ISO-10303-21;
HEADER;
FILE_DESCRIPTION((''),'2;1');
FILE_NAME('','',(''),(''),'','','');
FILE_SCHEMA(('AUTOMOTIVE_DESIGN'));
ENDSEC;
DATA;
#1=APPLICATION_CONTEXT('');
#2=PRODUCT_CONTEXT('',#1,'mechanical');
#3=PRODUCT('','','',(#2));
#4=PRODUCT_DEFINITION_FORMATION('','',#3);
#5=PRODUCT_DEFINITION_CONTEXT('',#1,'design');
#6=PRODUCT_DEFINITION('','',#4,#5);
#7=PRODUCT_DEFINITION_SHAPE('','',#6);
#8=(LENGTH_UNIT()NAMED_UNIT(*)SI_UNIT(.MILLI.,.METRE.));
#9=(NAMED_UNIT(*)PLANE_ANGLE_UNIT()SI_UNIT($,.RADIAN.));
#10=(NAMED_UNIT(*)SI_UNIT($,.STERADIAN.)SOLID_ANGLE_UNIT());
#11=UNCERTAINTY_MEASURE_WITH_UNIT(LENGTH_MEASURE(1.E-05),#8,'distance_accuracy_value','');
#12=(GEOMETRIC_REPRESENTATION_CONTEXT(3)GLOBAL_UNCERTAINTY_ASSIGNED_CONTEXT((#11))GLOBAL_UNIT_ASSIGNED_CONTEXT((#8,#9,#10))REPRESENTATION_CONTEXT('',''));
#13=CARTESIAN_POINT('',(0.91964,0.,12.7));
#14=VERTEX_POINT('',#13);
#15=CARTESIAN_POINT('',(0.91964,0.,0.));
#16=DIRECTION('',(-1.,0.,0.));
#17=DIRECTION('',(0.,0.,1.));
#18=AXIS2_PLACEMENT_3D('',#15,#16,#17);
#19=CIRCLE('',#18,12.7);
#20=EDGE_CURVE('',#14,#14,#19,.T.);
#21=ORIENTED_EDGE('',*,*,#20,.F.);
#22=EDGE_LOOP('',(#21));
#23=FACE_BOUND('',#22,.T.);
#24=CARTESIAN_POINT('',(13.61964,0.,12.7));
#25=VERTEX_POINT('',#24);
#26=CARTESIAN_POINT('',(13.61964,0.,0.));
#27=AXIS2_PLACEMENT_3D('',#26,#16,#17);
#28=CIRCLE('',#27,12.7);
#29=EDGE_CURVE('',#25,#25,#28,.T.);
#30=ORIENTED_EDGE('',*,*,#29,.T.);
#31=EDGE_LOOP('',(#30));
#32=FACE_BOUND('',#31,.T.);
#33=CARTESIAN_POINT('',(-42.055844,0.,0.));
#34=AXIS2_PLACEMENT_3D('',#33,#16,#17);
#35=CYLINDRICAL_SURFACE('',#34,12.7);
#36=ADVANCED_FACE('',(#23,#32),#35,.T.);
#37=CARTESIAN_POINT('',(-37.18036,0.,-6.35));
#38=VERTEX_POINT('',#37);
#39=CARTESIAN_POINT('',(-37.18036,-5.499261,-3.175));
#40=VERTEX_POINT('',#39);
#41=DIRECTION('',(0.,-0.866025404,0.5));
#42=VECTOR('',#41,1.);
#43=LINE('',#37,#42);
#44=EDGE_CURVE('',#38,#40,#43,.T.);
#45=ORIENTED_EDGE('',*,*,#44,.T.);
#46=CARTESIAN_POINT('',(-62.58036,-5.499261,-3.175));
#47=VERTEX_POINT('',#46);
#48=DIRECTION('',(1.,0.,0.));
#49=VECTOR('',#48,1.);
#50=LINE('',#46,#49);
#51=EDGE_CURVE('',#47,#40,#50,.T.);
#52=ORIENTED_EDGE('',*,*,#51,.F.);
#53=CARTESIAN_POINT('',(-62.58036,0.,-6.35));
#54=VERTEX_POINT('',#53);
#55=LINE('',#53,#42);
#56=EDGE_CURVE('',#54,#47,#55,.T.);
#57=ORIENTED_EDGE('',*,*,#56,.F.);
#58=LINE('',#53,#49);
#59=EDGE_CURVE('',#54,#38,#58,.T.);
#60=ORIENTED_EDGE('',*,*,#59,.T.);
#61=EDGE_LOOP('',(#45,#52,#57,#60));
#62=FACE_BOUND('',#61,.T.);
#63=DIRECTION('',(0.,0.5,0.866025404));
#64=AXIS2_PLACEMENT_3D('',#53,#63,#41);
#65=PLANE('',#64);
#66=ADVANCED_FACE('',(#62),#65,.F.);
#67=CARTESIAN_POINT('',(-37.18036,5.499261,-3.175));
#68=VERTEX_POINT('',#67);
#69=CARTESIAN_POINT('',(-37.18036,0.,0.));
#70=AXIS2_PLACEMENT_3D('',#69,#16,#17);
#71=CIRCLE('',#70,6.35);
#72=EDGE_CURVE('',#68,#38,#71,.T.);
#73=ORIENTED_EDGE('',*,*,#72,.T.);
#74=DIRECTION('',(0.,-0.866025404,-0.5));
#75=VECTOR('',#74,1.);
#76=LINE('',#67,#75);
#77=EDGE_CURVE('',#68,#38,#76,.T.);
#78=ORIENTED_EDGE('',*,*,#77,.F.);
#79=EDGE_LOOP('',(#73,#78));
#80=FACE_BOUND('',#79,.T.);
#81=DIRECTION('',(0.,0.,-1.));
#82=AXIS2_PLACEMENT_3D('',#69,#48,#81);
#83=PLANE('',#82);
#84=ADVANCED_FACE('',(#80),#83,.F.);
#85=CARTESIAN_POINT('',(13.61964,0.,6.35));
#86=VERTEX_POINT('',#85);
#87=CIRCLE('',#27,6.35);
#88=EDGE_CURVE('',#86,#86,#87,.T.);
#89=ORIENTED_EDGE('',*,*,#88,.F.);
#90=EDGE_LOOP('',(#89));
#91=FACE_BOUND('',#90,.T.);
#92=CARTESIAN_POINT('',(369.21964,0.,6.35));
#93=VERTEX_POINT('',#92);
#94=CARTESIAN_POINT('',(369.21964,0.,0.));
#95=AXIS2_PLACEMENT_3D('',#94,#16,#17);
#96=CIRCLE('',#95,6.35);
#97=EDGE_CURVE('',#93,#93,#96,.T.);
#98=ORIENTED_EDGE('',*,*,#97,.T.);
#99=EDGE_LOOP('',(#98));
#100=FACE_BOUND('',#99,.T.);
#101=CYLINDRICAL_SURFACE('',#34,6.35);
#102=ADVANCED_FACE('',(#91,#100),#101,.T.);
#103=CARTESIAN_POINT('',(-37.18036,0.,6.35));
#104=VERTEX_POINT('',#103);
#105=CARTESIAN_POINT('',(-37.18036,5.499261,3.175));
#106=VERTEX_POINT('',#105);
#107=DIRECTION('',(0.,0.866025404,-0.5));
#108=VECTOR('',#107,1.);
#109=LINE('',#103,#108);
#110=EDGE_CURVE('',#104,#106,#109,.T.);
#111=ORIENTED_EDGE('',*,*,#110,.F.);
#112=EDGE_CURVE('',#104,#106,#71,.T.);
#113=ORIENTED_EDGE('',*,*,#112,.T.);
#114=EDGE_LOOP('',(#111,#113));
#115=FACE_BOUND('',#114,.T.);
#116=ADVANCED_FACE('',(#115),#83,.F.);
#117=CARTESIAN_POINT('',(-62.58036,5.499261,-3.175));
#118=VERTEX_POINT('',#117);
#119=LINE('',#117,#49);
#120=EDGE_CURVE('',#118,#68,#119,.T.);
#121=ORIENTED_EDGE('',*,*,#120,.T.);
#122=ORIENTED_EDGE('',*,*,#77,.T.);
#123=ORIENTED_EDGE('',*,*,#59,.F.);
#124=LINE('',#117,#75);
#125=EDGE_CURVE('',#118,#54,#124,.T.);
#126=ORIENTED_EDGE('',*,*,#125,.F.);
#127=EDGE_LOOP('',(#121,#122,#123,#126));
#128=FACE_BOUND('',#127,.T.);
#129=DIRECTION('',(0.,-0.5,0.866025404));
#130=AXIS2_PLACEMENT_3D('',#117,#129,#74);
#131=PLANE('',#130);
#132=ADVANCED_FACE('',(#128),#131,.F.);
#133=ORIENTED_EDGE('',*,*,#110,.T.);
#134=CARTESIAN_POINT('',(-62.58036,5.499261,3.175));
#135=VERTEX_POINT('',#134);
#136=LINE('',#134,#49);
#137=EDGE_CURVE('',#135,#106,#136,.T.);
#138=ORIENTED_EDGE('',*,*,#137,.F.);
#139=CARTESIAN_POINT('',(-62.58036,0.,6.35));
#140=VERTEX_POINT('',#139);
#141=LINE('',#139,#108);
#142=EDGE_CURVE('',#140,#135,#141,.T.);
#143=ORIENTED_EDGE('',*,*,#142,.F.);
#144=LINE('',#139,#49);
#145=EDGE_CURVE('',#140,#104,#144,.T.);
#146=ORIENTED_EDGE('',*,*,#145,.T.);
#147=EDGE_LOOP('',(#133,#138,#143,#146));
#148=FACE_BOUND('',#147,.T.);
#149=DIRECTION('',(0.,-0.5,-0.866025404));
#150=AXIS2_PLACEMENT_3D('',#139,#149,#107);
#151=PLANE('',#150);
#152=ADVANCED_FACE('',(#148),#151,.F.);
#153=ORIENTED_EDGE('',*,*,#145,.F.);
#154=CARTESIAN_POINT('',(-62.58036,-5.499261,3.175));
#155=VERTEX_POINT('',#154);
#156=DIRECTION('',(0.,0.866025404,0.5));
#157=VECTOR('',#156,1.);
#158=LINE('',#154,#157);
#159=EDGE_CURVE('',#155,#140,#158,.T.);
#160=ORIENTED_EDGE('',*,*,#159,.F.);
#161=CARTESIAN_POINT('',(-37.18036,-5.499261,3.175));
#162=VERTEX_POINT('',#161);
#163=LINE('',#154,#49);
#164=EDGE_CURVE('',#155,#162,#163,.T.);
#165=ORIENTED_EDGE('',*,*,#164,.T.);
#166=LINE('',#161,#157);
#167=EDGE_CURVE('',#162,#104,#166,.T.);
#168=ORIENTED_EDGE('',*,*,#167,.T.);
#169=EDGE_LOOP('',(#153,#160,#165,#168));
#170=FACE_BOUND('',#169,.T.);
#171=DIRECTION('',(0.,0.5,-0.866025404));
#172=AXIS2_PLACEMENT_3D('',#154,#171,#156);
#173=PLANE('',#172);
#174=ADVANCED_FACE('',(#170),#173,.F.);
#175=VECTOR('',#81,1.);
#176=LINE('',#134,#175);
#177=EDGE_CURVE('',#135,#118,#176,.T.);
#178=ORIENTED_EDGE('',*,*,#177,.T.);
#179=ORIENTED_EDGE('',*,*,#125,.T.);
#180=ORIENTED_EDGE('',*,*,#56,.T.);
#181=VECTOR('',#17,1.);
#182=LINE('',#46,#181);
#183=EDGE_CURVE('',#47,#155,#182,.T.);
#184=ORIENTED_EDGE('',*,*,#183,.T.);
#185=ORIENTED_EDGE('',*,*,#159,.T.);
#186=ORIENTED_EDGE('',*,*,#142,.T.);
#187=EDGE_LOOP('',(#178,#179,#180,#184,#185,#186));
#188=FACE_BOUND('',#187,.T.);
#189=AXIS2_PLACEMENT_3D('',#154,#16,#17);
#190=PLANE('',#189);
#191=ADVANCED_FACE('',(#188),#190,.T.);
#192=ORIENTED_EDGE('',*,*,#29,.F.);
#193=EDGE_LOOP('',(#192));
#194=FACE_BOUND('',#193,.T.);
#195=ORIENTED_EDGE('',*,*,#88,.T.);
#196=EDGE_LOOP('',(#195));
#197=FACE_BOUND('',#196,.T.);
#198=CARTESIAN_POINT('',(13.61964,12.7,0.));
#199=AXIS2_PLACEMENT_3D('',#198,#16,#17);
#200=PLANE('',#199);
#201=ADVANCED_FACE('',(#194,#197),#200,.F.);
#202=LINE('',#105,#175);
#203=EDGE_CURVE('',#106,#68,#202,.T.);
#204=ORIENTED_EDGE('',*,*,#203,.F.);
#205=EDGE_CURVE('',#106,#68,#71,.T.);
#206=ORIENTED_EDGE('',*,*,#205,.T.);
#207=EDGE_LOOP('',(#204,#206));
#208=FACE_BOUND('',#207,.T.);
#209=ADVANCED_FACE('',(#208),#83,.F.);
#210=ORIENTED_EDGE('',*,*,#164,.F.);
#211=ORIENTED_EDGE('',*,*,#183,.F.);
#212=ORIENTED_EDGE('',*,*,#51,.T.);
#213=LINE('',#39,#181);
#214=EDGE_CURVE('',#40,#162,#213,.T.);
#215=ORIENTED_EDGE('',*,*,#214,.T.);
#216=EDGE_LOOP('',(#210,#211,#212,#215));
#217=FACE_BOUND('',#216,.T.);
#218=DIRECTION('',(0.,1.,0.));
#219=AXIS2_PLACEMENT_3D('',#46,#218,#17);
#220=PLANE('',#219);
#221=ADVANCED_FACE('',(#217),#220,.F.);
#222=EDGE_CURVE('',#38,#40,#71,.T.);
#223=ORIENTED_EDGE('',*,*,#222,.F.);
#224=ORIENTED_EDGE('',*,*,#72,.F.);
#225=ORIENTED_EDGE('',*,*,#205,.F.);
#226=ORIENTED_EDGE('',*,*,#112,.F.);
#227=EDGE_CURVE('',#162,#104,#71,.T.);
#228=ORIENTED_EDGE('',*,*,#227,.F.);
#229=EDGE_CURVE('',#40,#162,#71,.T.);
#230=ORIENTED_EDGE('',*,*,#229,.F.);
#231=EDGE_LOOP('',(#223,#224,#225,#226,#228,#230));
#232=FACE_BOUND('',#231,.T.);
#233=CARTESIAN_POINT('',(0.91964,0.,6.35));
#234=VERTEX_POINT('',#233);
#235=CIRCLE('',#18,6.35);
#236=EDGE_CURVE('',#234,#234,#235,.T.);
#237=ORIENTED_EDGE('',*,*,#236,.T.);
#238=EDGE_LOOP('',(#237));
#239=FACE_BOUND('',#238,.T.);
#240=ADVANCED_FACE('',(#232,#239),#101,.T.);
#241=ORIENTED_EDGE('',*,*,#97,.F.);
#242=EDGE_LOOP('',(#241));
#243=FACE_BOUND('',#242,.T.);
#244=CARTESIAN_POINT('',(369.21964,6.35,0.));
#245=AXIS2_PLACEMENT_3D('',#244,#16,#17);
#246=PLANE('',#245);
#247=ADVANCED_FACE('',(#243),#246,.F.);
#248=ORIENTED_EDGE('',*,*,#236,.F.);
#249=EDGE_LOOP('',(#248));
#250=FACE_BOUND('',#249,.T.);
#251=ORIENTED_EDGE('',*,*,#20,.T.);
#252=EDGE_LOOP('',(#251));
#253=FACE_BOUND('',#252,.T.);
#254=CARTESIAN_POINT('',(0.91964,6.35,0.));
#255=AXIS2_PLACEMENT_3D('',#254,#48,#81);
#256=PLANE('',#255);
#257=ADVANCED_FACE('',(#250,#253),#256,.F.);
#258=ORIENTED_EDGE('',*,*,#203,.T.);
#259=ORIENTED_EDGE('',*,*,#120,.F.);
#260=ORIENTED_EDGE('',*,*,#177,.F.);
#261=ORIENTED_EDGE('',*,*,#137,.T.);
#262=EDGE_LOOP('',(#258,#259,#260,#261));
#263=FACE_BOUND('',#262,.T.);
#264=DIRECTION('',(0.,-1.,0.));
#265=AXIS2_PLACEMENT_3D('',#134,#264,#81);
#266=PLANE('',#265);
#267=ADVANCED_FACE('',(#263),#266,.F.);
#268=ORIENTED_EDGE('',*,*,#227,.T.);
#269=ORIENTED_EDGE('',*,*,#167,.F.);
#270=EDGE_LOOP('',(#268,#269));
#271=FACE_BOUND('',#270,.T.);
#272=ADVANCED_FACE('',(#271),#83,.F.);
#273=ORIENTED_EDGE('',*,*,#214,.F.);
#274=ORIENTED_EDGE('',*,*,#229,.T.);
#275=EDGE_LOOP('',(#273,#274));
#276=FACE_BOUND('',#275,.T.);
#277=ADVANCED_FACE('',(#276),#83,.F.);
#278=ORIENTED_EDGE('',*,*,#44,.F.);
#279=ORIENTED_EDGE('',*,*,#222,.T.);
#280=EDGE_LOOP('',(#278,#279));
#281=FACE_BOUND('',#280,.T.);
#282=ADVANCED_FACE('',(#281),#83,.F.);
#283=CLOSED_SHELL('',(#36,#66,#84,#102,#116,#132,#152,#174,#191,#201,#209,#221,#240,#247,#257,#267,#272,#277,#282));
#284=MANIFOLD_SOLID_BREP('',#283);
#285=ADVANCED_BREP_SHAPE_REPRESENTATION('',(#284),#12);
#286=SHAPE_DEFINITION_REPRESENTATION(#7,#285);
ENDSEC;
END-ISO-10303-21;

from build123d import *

# Parameters (mm, degrees)
BOSS_EXTRUDE1_DEPTH = 25.4


with BuildPart() as part:
    # Sketch1 → Revolve1 (revolve)
    with BuildSketch(Plane.XY):
        Polygon((369.219639575, 6.35), (369.219639575, 0), (-37.180360425, 0), (-37.180360425, 6.35), (0.919639575, 6.35), (0.919639575, 12.7), (13.619639575, 12.7), (13.619639575, 6.35), align=None)
    revolve(axis=Axis((-42.05584448, 0, 0), (1, 0, 0)))

    # Sketch2 → Boss-Extrude1 (add)
    with BuildSketch(Plane.ZY.offset(37.180360425)):
        Polygon((3.175, -5.499261314), (6.35, 0), (3.175, 5.499261314), (-3.175, 5.499261314), (-6.35, 0), (-3.175, -5.499261314), align=None)
    extrude(amount=BOSS_EXTRUDE1_DEPTH)


solid = part.part
